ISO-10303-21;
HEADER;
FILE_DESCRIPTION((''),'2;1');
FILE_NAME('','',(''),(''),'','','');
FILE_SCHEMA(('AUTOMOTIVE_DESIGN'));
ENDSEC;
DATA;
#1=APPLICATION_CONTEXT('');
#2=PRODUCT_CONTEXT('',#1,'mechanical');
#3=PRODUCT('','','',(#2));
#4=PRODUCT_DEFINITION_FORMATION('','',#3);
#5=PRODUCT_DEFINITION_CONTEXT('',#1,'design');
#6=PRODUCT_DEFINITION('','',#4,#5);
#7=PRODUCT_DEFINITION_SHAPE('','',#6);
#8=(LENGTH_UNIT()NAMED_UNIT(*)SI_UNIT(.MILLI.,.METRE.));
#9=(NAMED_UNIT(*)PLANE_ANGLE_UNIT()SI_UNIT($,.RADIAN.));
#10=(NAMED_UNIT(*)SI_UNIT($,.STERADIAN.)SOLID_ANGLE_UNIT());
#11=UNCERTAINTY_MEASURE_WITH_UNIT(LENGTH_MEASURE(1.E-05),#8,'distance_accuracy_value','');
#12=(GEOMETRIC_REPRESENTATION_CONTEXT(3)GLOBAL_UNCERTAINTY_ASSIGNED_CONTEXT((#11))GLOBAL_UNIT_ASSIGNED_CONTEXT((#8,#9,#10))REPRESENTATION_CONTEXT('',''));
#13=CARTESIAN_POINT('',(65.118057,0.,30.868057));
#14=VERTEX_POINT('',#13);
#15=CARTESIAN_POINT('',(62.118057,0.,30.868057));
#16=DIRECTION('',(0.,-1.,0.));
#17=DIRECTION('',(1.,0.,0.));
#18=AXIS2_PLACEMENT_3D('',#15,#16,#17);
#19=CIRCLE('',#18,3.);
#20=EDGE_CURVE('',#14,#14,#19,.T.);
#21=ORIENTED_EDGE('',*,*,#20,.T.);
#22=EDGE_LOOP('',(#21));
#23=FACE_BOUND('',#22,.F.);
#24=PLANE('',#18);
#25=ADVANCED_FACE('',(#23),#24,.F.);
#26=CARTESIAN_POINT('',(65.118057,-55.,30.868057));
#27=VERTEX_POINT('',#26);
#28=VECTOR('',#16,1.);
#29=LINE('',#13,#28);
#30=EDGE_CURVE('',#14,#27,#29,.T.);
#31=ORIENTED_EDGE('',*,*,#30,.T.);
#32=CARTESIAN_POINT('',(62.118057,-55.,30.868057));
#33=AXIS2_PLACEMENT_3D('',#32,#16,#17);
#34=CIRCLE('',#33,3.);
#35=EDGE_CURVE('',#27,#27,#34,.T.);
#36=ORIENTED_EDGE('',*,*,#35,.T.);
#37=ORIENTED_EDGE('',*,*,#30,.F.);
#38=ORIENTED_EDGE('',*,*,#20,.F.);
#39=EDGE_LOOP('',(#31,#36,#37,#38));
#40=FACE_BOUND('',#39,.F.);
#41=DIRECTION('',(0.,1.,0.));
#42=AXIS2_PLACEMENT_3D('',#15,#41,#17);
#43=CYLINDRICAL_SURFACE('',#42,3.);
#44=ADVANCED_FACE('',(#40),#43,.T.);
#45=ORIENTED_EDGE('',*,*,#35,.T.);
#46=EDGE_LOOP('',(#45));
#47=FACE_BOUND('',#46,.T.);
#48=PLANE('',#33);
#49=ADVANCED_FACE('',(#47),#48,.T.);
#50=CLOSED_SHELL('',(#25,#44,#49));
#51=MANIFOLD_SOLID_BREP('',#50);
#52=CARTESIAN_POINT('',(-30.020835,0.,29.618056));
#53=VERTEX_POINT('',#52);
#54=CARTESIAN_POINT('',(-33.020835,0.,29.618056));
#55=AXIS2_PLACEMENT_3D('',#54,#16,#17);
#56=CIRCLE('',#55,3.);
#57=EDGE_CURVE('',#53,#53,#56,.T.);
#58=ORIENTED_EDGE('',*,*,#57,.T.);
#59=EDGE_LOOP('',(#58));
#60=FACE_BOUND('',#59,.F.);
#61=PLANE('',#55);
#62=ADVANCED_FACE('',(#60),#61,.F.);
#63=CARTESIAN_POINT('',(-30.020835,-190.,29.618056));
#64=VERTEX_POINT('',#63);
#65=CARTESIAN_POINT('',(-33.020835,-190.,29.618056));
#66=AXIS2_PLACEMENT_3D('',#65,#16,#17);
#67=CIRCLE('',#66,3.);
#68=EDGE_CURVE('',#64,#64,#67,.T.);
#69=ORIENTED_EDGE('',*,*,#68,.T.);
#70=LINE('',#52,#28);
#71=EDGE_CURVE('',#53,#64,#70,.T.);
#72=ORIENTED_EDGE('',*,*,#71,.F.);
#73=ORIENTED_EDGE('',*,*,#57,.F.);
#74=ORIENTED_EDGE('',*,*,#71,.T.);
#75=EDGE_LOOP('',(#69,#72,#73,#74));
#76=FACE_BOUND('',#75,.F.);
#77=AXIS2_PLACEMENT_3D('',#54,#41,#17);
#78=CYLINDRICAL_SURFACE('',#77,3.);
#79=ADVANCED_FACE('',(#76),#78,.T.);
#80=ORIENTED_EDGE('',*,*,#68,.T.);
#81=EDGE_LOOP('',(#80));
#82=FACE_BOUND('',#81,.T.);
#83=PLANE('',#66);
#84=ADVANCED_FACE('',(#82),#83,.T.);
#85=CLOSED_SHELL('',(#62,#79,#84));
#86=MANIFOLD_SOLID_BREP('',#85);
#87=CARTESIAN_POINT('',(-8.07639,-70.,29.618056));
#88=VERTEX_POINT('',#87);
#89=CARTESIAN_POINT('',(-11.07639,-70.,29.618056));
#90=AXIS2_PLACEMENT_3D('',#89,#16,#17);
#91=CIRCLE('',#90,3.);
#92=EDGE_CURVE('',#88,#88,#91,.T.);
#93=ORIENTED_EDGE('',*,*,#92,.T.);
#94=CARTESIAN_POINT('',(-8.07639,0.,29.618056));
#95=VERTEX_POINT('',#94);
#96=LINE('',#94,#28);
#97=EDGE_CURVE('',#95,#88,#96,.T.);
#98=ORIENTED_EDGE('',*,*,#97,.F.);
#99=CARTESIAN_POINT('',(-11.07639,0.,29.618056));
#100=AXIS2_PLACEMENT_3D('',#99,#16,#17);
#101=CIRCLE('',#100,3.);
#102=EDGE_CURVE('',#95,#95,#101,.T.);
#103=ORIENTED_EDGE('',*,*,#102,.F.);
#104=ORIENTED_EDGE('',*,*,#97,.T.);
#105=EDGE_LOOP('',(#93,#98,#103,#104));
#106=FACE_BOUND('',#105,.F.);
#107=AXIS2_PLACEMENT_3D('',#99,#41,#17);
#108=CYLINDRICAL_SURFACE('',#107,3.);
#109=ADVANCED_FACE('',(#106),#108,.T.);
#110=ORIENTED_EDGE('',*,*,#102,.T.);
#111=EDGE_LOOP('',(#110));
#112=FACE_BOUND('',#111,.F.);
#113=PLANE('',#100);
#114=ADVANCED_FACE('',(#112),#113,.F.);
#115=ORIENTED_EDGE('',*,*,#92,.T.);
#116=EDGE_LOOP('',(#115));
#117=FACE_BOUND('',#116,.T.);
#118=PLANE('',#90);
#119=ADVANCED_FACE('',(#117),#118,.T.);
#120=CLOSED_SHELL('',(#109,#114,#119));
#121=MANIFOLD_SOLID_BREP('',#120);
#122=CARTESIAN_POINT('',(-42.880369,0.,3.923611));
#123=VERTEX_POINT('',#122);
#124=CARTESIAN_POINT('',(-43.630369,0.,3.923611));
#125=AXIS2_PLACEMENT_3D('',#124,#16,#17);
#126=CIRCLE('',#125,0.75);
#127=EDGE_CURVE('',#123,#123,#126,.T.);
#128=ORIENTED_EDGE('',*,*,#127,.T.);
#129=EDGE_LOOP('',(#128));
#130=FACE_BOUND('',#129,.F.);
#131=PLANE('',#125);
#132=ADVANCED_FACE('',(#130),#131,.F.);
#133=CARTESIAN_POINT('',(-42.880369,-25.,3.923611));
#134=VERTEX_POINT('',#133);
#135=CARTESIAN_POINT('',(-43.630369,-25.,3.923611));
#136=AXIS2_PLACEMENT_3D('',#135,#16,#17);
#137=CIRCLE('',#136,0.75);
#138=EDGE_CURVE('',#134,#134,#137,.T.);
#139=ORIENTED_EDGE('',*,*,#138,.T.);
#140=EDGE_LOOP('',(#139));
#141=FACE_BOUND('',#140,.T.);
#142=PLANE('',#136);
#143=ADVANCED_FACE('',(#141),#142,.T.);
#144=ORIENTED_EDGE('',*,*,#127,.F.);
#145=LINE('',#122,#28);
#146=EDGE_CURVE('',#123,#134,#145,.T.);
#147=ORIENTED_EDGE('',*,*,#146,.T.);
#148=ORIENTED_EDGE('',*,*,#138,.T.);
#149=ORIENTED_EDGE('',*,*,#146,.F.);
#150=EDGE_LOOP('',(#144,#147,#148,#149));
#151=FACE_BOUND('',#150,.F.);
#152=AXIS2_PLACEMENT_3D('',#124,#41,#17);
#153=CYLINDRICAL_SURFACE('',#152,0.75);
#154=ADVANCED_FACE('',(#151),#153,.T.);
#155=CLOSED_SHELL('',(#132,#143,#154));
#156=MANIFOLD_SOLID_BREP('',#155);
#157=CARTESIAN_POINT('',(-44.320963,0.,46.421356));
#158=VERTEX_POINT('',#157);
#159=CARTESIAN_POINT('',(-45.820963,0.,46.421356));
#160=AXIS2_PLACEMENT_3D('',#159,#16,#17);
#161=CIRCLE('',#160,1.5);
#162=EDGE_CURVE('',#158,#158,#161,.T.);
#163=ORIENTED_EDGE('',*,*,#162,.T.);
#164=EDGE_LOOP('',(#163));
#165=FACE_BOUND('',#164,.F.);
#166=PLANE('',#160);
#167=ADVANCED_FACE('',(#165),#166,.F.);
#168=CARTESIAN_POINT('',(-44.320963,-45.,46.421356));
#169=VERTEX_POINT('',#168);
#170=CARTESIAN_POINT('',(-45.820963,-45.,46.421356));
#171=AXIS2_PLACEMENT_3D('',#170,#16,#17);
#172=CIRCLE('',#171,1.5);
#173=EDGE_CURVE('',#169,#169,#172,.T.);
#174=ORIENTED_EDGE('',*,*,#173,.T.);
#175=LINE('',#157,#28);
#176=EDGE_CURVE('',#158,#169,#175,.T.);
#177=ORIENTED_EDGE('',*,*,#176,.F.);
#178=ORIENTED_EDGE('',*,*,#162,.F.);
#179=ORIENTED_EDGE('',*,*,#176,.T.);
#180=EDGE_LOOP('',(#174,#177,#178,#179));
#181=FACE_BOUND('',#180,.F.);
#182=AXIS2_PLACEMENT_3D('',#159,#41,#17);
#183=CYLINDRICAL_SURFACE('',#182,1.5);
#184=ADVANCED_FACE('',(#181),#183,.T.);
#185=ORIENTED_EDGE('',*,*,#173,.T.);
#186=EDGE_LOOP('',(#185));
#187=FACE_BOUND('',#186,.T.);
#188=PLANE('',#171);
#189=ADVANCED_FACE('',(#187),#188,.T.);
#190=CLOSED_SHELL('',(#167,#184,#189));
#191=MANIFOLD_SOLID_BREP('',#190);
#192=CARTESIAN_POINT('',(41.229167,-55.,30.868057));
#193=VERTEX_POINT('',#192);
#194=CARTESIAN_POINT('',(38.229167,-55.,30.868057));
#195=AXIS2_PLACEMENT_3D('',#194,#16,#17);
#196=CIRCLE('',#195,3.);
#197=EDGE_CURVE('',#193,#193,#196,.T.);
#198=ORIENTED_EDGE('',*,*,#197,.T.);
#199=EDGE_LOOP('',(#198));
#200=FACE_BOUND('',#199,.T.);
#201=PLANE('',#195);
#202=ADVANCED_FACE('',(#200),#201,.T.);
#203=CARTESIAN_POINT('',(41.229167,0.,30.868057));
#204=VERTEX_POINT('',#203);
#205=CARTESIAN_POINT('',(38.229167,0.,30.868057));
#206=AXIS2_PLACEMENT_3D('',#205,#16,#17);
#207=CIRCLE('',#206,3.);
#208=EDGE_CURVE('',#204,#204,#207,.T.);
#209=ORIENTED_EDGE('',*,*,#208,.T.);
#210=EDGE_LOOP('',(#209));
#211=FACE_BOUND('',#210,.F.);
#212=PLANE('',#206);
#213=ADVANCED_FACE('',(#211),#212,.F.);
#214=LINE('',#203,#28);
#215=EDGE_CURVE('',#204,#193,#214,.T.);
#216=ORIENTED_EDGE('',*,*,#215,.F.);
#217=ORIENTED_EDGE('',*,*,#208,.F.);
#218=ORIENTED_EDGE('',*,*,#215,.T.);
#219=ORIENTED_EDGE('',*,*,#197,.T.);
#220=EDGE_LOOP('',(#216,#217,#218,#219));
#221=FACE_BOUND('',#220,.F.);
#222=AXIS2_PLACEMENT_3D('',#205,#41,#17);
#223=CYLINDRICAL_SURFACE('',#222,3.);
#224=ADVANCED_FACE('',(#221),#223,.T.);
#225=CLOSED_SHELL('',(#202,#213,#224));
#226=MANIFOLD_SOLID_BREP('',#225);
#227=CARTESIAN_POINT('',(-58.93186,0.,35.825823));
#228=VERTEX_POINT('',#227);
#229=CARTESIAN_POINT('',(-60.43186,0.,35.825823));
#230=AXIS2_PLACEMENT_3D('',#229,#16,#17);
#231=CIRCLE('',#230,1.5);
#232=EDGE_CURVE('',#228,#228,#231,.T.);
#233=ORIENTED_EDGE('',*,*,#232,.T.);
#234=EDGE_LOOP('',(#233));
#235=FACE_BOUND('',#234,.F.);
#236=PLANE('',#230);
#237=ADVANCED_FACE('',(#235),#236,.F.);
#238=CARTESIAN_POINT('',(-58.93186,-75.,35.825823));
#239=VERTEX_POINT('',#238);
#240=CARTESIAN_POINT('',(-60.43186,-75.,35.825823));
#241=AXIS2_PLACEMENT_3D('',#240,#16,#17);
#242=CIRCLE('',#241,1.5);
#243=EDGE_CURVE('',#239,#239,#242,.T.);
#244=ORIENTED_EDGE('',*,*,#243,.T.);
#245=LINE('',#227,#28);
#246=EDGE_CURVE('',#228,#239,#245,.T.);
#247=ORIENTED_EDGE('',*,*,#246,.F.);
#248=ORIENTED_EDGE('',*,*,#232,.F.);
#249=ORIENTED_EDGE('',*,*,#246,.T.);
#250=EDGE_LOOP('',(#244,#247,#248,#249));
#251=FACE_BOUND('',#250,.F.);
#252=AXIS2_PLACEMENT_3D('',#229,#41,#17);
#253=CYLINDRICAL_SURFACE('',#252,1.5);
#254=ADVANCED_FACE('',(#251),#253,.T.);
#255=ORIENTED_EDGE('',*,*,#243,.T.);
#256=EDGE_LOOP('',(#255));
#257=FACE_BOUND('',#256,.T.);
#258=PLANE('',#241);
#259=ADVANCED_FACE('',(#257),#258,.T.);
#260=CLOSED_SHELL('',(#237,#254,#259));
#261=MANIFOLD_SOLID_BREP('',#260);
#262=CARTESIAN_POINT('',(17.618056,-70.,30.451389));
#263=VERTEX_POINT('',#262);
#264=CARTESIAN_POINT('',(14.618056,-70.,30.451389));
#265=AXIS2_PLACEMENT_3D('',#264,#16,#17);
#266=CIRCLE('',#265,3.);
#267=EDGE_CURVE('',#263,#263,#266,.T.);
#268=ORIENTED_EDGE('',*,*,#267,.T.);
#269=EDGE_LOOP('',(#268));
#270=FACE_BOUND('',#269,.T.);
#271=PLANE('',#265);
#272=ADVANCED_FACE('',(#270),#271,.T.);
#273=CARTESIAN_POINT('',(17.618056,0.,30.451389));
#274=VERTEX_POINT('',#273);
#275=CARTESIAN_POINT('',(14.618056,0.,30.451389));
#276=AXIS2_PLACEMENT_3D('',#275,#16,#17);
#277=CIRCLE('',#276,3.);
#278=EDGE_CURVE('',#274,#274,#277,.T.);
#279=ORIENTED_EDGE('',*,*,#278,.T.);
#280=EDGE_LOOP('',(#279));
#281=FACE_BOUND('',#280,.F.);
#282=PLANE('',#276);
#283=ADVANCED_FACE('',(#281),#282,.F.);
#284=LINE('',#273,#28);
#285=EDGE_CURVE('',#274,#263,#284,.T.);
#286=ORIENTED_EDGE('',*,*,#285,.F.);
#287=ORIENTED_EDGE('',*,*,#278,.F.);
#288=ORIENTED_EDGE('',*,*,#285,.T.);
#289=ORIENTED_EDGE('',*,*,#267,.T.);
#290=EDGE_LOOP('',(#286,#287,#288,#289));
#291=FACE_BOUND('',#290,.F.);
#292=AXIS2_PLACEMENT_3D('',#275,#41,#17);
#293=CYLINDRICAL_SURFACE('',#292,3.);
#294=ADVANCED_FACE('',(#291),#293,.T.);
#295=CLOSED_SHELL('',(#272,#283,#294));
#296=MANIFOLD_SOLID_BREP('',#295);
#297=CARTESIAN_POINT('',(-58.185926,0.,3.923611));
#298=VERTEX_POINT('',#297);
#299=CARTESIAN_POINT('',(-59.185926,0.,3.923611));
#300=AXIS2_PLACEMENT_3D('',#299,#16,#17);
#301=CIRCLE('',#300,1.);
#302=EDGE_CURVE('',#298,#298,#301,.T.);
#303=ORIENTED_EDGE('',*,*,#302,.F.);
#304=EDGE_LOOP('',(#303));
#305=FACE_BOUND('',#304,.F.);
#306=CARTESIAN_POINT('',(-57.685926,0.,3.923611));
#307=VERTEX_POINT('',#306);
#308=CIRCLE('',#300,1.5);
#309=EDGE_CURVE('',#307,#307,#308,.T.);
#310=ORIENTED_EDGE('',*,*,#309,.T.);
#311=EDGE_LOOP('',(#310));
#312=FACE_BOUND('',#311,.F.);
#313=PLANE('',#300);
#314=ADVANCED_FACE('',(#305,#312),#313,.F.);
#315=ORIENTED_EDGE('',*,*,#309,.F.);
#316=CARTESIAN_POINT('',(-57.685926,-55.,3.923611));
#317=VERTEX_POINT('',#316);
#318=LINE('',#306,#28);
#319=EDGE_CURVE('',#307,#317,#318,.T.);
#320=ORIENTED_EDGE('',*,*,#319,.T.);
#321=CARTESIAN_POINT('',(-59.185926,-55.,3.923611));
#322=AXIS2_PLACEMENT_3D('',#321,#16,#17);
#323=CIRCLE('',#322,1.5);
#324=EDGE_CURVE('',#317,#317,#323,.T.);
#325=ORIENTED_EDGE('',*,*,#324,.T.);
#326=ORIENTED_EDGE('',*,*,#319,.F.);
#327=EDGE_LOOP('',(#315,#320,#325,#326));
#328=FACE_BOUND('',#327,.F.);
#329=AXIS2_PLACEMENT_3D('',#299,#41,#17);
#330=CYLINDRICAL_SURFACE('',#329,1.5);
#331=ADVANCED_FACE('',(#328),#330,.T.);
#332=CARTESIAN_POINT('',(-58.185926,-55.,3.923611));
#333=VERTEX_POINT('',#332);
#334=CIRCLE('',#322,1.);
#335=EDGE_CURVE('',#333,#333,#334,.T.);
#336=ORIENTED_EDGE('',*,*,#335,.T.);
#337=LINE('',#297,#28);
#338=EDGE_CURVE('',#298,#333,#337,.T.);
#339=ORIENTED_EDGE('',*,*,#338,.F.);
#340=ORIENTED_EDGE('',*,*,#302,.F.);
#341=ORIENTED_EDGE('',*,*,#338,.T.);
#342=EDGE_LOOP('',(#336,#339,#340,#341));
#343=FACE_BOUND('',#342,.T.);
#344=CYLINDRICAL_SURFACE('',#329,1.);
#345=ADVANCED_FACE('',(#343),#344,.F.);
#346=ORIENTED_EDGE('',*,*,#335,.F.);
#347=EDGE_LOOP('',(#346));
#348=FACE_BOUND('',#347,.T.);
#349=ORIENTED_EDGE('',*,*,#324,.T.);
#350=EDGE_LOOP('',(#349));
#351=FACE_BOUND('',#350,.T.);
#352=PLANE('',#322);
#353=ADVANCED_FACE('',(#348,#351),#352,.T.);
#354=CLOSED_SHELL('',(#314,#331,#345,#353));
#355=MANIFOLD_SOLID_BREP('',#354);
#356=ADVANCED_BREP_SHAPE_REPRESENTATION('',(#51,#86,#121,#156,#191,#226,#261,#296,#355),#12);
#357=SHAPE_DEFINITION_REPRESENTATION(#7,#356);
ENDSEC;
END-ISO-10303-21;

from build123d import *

# Parameters (mm, degrees)
F0_R     = 3
F1_DEPTH = 190
F2_DEPTH = 70
F3_DEPTH = 55
F4_DEPTH = 55
F0_R_2   = 1.5
F5_DEPTH = 75
F6_DEPTH = 45
F0_R_3   = 1
F7_DEPTH = 55
F0_R_4   = 0.75
F8_DEPTH = 25


with BuildPart() as f1:
    # F0 (on Front) → F1 (new body)
    with BuildSketch(Plane.XZ):
        with Locations((-33.020835, 29.618056)):
            Circle(F0_R)
    extrude(amount=F1_DEPTH)


with BuildPart() as f2:
    # F0 (on Front) → F2 (new body)
    with BuildSketch(Plane.XZ):
        with Locations((-11.07639, 29.618056)):
            Circle(F0_R)
        with Locations((14.618056, 30.451389)):
            Circle(F0_R)
    extrude(amount=F2_DEPTH)


with BuildPart() as f3:
    # F0 (on Front) → F3 (new body)
    with BuildSketch(Plane.XZ):
        with Locations((38.229167, 30.868057)):
            Circle(F0_R)
    extrude(amount=F3_DEPTH)


with BuildPart() as f4:
    # F0 (on Front) → F4 (new body)
    with BuildSketch(Plane.XZ):
        with Locations((62.118057, 30.868057)):
            Circle(F0_R)
    extrude(amount=F4_DEPTH)


with BuildPart() as f5:
    # F0 (on Front) → F5 (new body)
    with BuildSketch(Plane.XZ):
        with Locations((-60.43186, 35.825823)):
            Circle(F0_R_2)
    extrude(amount=F5_DEPTH)


with BuildPart() as f6:
    # F0 (on Front) → F6 (new body)
    with BuildSketch(Plane.XZ):
        with Locations((-45.820963, 46.421356)):
            Circle(F0_R_2)
    extrude(amount=F6_DEPTH)


with BuildPart() as f7:
    # F0 (on Front) → F7 (new body)
    with BuildSketch(Plane.XZ):
        with Locations((-59.185926, 3.923611)):
            Circle(F0_R_2)
        with Locations((-59.185926, 3.923611)):
            Circle(F0_R_3, mode=Mode.SUBTRACT)
    extrude(amount=F7_DEPTH)


with BuildPart() as f8:
    # F0 (on Front) → F8 (new body)
    with BuildSketch(Plane.XZ):
        with Locations((-43.630369, 3.923611)):
            Circle(F0_R_4)
    extrude(amount=F8_DEPTH)


solid = Compound([f1.part, f2.part, f3.part, f4.part, f5.part, f6.part, f7.part, f8.part])
